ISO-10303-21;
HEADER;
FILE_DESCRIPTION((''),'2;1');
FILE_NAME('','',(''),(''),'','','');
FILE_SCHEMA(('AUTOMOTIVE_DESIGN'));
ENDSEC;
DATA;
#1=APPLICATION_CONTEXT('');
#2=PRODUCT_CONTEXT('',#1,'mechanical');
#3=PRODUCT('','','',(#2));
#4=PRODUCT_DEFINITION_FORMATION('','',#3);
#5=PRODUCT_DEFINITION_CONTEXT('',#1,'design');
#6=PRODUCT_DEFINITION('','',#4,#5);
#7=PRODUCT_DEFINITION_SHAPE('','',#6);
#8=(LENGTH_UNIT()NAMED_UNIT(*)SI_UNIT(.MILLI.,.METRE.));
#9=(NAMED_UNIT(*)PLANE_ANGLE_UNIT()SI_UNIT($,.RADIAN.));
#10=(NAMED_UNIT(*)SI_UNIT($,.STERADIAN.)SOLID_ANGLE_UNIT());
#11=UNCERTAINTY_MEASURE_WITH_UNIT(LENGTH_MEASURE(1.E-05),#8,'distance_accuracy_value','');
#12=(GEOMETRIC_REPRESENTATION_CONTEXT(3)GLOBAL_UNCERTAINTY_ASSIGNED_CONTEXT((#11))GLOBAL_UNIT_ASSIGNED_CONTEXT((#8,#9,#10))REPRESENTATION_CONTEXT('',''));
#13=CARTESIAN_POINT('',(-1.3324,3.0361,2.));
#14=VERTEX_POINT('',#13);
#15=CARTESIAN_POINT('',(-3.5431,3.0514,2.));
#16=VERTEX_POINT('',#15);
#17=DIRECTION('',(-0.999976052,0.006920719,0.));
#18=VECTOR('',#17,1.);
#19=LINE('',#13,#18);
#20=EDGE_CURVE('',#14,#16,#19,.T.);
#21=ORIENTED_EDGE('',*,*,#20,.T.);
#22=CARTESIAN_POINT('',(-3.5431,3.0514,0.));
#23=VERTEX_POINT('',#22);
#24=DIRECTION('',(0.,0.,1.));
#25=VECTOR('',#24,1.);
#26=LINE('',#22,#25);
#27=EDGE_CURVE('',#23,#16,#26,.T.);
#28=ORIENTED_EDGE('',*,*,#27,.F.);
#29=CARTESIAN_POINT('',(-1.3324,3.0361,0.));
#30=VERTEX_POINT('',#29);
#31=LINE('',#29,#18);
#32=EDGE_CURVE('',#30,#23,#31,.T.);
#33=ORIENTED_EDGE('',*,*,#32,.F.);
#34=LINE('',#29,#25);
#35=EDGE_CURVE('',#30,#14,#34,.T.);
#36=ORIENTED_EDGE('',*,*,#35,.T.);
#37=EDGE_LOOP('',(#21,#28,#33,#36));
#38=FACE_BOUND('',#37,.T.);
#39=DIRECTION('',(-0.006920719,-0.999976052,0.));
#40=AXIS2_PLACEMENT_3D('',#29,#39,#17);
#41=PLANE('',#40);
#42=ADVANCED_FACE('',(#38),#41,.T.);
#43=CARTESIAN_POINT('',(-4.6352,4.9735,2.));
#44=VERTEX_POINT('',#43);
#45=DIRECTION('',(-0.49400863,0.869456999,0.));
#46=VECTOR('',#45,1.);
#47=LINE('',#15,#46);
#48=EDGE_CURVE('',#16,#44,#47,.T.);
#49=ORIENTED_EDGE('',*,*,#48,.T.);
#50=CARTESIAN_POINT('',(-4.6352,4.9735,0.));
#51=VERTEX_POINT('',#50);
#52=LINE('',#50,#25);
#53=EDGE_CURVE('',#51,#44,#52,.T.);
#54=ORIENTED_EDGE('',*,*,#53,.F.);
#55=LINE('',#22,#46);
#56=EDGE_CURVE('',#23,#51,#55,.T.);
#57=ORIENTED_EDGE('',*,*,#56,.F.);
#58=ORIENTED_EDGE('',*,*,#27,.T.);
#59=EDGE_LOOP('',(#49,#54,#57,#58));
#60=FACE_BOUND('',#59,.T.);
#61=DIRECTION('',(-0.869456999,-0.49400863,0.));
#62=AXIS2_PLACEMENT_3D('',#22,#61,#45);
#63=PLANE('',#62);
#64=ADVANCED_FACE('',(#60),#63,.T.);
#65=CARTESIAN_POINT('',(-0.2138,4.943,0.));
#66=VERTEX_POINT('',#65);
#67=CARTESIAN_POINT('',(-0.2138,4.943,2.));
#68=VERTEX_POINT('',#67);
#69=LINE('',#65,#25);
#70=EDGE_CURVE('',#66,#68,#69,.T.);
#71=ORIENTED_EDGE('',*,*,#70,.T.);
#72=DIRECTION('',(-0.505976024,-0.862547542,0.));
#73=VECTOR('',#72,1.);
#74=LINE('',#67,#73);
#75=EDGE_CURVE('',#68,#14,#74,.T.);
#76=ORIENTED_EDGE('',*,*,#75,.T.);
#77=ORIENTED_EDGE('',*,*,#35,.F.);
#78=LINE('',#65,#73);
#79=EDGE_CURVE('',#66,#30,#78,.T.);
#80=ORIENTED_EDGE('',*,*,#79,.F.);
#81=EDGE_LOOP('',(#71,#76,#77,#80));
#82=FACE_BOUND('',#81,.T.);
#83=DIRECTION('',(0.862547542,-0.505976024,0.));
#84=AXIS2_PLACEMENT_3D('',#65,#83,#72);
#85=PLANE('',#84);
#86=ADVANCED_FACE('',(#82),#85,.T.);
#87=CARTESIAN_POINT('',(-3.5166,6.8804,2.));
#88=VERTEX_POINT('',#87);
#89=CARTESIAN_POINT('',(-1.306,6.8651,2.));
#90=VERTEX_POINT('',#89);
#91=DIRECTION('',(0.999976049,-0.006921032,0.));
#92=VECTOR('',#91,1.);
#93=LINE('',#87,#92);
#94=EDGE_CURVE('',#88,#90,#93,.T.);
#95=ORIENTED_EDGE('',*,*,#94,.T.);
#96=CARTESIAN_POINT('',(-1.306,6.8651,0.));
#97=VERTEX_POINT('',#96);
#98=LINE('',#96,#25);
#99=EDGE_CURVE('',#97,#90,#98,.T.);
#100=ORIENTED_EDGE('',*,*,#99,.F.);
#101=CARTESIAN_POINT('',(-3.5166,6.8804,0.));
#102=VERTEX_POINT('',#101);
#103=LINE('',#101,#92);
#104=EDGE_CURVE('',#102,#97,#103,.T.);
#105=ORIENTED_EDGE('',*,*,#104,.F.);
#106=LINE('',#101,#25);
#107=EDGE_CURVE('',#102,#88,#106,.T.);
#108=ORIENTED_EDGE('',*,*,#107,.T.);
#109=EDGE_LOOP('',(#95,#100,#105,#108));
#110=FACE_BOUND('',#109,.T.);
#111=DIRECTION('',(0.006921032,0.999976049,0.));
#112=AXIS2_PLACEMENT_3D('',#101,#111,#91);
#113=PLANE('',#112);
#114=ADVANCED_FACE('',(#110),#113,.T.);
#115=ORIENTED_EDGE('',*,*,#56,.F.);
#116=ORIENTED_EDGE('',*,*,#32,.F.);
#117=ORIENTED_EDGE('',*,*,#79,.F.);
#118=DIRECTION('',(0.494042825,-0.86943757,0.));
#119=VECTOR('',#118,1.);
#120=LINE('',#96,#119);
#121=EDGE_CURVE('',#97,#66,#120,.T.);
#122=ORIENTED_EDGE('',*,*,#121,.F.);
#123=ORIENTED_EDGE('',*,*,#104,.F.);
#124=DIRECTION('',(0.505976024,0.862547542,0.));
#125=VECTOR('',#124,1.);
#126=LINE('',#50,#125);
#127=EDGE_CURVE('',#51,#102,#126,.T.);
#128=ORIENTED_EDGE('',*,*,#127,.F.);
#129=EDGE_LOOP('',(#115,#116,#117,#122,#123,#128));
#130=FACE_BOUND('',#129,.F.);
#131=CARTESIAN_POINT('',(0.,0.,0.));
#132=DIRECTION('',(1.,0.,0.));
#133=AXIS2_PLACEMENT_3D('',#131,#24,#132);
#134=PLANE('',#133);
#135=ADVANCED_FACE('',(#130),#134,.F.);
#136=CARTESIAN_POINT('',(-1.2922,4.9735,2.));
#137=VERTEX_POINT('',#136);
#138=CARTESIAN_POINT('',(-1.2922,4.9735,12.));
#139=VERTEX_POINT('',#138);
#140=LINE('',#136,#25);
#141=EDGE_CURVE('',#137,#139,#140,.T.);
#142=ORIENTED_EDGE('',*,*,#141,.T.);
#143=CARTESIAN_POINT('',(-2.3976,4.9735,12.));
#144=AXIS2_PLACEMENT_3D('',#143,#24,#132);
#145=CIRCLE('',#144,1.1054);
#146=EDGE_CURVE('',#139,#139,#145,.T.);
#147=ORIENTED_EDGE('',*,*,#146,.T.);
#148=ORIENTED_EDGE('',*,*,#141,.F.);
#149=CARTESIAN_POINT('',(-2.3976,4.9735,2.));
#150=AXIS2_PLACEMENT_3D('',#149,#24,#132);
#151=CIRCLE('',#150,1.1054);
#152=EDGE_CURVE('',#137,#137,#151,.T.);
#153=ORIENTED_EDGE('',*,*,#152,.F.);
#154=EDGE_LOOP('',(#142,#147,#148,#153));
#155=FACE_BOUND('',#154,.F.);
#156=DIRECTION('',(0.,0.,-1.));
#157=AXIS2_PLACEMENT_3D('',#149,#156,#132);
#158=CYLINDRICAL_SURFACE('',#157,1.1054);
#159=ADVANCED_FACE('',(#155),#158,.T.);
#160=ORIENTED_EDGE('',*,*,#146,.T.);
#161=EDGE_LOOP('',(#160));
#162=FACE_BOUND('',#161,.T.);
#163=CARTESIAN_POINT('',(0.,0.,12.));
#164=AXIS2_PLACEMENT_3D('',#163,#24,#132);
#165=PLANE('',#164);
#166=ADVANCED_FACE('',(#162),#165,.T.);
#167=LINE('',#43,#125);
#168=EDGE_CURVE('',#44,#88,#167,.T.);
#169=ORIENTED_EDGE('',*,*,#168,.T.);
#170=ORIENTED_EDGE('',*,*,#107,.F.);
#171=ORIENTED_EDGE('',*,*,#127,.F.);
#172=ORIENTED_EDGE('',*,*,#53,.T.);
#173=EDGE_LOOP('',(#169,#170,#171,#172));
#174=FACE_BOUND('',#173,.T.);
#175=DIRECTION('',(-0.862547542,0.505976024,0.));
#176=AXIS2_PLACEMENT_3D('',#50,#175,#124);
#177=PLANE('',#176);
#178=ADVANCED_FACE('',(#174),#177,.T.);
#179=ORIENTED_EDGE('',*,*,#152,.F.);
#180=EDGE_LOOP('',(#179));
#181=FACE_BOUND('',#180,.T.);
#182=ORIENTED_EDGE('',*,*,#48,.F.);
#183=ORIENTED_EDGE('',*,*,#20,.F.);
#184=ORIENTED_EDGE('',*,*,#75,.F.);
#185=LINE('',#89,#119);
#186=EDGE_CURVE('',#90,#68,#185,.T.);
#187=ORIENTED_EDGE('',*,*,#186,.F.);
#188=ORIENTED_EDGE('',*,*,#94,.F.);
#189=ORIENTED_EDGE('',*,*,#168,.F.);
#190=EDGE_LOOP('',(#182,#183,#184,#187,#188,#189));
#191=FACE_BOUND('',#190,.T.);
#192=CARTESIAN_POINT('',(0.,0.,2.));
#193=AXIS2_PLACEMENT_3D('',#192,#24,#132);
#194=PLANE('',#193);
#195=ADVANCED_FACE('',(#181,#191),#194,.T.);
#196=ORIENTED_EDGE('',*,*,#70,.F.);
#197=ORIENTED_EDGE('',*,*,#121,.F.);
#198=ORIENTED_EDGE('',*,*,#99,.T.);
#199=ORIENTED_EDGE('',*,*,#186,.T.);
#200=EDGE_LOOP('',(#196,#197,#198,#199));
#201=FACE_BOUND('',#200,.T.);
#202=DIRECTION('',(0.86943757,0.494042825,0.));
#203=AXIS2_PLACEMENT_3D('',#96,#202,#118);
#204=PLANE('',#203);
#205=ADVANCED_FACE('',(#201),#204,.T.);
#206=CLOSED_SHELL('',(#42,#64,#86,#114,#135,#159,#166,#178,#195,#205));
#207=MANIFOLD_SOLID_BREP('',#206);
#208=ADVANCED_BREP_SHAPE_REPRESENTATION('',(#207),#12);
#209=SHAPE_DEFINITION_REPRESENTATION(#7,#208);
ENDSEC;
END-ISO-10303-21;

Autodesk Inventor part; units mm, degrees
ref_plane "YZ Plane" through (0, 0, 0) normal (1, 0, 0) x (0, 1, 0)
ref_plane "XZ Plane" through (0, 0, 0) normal (0, 1, 0) x (-1, 0, 0)
ref_plane "XY Plane" through (0, 0, 0) normal (0, 0, 1) x (1, 0, 0)
sketch "Sketch1" plane through (0, 0, 0) normal (0, 0, 1) x (1, 0, 0)
  line L0 (-1.3324, 3.0361) -> (-3.5431, 3.0514)
  line L1 (-3.5431, 3.0514) -> (-4.6352, 4.9735)
  line L2 (-4.6352, 4.9735) -> (-3.5166, 6.8804)
  line L3 (-3.5166, 6.8804) -> (-1.306, 6.8651)
  line L4 (-1.306, 6.8651) -> (-0.2138, 4.943)
  line L5 (-0.2138, 4.943) -> (-1.3324, 3.0361)
  point P0 (0, 0)
  point P1 (-2.4245, 4.9582)
extrude "Extrusion1" add sketch "Sketch1" along normal blind 2
sketch "Sketch2" plane through (0, 0, 2) normal (0, 0, 1) x (1, 0, 0)
  circle A0 centre (-2.3976, 4.9735) radius 1.1054
  point P0 (0, 0)
extrude "Extrusion2" add sketch "Sketch2" along normal blind 10
properties part number "nut"
